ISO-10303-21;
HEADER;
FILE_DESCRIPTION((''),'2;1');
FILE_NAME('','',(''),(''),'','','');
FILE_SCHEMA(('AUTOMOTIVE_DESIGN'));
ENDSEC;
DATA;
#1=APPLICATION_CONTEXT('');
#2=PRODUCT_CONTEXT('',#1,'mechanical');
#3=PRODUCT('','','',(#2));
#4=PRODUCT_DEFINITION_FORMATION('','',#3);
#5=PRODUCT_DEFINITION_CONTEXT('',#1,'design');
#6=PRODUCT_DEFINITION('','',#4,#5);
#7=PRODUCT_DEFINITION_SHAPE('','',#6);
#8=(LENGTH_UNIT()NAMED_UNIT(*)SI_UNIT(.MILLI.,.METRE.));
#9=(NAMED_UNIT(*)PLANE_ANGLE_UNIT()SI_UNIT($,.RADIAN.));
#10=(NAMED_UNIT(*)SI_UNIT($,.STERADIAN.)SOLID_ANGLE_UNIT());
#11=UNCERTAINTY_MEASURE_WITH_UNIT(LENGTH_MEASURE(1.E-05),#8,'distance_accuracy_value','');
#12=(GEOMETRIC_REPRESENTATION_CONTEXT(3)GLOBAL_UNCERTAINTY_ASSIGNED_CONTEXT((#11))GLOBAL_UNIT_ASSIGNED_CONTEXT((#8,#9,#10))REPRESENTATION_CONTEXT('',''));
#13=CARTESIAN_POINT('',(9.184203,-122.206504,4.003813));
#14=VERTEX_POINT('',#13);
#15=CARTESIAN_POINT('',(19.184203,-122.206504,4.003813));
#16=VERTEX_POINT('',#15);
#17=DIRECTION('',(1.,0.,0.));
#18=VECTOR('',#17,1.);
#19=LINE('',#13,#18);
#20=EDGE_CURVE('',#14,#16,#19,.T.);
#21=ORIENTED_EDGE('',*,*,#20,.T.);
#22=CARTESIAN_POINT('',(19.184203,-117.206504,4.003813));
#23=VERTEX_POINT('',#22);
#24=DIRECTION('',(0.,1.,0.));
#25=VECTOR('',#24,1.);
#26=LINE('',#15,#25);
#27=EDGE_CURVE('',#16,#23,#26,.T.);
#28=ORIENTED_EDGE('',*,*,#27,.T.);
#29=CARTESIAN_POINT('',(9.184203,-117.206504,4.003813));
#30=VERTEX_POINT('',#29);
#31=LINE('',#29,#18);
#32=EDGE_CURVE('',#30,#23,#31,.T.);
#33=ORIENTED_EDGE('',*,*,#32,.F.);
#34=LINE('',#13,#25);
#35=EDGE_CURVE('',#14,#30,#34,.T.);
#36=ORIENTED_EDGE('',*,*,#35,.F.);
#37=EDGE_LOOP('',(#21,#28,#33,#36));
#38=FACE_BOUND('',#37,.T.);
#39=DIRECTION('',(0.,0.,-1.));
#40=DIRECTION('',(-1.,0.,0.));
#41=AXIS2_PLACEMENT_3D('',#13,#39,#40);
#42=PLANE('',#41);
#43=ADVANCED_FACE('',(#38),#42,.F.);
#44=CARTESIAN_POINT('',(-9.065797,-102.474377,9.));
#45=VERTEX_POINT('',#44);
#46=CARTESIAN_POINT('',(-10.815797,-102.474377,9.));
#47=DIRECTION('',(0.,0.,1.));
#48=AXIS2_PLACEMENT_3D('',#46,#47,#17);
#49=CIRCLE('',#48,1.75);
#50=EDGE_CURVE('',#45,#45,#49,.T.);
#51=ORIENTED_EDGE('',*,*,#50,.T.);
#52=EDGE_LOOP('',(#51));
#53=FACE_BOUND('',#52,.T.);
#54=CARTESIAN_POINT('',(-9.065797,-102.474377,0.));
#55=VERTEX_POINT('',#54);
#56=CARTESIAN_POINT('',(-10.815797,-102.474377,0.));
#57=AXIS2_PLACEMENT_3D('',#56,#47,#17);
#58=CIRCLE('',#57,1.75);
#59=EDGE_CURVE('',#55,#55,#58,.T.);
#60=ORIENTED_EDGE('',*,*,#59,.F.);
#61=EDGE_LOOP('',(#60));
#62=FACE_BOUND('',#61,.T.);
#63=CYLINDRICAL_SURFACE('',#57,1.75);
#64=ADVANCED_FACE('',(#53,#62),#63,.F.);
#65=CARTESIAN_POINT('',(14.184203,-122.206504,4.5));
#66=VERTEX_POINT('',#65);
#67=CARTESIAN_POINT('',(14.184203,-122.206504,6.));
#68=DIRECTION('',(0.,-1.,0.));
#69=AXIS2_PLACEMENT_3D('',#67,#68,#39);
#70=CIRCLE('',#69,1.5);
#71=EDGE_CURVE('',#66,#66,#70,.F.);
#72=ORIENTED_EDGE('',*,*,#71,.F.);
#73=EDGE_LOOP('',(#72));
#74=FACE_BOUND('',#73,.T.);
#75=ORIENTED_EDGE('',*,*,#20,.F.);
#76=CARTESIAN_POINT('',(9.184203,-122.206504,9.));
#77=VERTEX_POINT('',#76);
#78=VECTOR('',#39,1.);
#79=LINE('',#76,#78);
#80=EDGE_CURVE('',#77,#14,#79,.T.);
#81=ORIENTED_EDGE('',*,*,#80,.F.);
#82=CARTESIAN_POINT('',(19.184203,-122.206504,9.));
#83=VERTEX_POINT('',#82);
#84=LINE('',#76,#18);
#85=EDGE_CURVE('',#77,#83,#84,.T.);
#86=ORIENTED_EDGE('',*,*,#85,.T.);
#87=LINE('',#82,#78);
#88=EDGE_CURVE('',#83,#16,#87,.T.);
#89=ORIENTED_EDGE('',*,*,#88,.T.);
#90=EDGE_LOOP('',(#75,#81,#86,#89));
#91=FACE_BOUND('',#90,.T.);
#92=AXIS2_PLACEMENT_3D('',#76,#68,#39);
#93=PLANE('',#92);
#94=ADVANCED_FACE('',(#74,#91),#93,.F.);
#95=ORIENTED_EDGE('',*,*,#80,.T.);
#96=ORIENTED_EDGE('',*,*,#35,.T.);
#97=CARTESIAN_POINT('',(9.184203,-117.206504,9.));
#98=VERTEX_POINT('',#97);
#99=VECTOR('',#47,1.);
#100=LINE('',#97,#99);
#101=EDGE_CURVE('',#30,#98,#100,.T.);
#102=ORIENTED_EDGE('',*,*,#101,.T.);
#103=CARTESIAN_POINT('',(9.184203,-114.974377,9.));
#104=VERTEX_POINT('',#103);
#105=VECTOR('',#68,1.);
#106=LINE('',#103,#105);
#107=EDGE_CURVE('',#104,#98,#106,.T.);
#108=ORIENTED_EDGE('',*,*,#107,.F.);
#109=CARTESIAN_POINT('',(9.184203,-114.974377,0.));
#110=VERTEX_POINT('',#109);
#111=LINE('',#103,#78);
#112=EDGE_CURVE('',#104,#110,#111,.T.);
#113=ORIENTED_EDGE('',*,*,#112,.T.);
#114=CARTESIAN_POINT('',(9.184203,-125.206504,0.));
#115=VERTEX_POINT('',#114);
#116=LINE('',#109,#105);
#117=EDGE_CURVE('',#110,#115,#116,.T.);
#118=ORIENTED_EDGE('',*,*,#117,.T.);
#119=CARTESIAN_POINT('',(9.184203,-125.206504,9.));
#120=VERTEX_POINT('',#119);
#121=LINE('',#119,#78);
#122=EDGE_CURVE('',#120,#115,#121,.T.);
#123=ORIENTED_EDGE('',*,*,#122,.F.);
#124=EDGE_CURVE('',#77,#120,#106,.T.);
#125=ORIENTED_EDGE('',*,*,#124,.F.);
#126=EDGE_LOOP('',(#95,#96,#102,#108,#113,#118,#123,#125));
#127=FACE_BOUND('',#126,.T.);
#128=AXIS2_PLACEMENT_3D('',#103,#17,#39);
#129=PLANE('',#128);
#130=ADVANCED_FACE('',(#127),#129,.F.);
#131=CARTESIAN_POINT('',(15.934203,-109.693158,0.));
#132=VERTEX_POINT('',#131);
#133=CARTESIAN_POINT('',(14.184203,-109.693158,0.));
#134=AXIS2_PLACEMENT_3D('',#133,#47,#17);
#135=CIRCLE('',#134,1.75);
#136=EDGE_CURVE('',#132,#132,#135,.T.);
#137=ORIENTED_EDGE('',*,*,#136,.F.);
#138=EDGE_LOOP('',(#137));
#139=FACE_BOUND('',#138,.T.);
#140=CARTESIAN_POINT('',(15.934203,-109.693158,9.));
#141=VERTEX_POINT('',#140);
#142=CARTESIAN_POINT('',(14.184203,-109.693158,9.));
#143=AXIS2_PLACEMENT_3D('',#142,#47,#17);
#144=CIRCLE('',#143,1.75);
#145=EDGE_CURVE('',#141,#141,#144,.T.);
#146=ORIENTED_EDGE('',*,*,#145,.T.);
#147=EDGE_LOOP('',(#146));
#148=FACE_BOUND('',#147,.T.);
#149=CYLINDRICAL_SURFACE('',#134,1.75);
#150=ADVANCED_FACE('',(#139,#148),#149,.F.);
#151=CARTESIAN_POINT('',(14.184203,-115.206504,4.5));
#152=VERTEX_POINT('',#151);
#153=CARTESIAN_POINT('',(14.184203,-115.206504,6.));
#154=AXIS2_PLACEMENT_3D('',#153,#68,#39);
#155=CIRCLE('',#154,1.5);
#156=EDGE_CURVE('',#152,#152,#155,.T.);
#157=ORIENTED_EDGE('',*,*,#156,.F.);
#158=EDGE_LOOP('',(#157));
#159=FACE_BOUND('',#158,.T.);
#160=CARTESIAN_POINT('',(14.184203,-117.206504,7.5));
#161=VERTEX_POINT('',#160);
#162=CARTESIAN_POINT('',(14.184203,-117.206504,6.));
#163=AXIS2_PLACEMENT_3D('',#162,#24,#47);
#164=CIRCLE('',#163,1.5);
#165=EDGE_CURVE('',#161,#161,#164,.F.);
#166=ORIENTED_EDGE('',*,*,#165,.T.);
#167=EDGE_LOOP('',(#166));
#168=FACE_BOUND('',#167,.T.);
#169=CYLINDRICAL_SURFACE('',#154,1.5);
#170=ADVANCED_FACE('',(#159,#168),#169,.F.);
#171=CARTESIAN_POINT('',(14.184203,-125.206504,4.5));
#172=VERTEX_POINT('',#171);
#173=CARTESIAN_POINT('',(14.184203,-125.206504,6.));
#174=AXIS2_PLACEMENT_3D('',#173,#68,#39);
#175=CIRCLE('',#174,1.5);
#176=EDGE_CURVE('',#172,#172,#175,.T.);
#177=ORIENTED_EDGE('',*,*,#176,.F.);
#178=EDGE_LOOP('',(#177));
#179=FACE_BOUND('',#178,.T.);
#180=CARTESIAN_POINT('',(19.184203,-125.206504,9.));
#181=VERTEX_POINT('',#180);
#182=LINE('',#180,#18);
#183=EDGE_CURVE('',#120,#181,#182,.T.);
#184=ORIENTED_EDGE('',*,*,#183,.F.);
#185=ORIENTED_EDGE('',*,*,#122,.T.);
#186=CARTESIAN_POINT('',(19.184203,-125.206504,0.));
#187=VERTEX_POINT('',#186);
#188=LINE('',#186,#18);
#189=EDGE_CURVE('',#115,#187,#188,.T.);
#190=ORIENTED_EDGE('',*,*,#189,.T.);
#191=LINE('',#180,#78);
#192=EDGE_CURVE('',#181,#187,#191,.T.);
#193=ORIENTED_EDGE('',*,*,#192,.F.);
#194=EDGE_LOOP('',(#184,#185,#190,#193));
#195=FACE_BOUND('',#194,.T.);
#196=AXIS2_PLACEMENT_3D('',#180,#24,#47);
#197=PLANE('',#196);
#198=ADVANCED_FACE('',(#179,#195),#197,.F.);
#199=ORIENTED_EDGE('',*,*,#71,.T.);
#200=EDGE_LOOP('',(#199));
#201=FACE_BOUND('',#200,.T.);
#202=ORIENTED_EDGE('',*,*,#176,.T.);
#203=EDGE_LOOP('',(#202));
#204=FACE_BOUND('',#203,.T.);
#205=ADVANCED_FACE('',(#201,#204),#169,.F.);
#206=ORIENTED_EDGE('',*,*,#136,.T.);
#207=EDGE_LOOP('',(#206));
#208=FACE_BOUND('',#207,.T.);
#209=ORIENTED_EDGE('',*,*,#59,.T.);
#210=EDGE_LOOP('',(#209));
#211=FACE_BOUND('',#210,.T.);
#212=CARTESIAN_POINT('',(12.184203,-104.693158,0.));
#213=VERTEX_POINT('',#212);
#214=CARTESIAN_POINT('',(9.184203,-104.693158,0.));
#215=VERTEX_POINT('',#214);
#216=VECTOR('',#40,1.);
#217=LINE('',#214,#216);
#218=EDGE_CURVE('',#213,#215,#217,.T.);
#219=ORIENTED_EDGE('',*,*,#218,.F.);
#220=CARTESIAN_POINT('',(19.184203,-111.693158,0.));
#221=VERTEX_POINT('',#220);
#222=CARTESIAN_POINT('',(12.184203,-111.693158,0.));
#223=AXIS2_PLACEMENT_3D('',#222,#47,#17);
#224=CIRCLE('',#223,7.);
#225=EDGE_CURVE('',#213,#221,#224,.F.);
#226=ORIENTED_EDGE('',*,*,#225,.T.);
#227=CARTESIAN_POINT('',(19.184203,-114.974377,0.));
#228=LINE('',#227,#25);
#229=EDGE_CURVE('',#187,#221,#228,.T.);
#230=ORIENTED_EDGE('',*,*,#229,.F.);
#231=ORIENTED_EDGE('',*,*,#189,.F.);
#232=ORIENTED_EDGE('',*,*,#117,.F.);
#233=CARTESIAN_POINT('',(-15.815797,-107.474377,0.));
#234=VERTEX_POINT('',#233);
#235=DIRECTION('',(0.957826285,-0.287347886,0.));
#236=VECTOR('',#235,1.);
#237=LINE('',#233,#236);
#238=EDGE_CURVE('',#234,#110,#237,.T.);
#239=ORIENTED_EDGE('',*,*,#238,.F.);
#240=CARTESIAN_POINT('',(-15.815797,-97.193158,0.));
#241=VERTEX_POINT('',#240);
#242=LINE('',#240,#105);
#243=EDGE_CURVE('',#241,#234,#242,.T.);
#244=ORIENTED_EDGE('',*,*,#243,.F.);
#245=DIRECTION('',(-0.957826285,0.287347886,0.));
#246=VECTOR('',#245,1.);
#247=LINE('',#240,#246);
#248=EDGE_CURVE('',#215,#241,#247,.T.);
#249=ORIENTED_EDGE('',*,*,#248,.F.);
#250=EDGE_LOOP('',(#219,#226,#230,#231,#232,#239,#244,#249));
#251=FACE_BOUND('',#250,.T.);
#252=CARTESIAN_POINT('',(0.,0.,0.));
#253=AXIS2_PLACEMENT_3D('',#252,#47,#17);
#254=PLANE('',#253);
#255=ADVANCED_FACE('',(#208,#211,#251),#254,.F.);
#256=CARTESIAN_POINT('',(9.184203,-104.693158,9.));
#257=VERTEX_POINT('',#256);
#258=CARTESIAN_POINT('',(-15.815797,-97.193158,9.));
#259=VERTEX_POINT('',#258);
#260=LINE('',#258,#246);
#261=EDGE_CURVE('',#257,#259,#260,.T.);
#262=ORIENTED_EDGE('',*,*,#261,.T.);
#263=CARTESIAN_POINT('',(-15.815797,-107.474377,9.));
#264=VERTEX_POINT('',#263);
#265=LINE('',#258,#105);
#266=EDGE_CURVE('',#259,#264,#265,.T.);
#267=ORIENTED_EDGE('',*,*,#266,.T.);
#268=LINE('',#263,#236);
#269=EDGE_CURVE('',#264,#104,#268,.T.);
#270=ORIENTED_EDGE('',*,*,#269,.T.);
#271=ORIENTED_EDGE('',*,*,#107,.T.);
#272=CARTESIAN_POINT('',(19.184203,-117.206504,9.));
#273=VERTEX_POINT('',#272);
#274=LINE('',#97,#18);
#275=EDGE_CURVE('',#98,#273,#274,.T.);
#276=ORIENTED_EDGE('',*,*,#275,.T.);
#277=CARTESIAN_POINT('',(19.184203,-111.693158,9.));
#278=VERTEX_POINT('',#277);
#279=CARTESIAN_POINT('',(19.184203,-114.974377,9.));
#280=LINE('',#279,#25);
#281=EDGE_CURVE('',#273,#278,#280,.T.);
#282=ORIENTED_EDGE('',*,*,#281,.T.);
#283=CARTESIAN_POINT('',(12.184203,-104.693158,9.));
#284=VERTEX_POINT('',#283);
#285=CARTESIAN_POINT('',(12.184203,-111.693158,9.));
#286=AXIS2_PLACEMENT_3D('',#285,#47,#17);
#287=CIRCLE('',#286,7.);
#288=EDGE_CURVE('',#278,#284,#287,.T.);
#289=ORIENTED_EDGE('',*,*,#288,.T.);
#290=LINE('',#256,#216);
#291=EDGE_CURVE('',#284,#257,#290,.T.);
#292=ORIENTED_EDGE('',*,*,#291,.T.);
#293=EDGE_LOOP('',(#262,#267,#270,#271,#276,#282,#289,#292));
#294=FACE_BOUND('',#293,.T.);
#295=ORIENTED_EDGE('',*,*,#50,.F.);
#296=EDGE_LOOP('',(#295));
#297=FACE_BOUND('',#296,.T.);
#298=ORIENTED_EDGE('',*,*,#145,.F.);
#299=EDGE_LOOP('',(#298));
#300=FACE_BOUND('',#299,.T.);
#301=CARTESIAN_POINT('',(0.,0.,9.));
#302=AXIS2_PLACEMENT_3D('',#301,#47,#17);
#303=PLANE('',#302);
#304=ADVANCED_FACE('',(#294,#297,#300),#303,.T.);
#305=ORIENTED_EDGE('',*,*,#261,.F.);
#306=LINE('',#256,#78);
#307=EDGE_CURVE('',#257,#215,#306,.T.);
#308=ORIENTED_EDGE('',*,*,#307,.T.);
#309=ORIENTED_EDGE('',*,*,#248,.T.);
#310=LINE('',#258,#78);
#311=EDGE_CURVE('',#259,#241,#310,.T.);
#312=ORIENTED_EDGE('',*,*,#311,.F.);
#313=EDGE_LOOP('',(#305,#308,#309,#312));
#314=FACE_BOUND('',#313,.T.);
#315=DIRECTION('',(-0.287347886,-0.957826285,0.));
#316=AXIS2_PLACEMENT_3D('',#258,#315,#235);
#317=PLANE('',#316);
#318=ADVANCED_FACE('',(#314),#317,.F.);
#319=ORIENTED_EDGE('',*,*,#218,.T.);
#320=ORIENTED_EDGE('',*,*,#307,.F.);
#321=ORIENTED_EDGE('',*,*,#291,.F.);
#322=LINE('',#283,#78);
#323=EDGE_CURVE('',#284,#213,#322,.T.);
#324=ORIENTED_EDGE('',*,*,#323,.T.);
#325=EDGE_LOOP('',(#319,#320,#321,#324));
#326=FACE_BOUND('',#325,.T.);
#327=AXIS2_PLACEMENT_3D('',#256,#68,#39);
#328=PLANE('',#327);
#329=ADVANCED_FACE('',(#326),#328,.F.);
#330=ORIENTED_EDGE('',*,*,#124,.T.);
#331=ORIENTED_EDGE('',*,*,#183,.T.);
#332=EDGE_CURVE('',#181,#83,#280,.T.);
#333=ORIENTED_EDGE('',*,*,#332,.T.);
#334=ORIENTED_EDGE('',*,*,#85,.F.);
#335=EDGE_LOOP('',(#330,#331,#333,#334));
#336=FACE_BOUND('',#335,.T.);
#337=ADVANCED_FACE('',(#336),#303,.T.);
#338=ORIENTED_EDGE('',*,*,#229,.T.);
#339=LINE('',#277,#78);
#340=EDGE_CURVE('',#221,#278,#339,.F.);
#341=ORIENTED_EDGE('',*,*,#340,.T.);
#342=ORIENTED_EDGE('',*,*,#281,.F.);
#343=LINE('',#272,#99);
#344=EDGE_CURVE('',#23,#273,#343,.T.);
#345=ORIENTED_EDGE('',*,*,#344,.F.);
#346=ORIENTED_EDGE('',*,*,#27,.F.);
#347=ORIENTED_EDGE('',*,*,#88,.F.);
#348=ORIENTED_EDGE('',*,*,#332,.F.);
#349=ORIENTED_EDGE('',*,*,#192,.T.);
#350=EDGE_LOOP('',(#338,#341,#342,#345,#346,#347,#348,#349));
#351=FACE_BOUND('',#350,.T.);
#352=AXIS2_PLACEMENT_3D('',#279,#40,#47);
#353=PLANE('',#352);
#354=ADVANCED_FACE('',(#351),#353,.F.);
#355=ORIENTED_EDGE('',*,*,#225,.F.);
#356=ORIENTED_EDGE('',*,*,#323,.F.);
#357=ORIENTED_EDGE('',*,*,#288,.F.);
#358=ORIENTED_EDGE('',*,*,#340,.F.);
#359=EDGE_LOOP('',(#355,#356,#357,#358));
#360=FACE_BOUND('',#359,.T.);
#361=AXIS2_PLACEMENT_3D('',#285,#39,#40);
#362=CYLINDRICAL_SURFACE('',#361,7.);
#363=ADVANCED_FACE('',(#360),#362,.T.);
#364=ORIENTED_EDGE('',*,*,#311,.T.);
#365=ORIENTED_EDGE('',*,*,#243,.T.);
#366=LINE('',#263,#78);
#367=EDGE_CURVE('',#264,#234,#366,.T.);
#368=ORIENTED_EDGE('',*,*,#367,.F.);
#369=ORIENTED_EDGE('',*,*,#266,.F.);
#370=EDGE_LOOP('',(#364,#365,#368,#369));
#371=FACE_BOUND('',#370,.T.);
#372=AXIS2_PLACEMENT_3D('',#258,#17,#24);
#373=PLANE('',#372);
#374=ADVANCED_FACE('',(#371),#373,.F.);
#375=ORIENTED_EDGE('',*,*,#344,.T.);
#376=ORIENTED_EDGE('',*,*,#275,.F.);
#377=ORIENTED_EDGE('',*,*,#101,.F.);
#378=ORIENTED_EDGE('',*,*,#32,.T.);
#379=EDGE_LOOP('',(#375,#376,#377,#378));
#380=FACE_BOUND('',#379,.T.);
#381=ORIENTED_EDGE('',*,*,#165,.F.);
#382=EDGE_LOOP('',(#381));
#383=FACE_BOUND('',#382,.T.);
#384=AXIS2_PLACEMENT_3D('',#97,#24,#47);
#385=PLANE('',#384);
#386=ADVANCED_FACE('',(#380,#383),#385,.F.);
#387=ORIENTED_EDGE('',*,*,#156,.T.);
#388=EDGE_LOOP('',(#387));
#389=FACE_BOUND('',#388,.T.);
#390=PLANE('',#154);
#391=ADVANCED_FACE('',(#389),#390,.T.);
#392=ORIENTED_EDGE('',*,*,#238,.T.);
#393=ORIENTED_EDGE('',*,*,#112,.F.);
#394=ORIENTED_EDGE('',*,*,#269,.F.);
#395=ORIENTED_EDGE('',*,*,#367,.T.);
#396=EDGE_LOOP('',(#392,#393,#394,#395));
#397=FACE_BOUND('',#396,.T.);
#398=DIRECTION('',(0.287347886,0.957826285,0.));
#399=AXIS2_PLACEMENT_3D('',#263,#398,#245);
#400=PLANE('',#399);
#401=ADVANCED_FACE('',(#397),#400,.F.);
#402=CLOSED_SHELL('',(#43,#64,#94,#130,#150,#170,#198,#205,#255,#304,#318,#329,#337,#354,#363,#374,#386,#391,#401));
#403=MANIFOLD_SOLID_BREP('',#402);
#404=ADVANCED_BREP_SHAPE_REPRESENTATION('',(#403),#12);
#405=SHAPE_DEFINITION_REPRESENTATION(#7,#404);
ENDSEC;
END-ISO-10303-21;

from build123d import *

# Parameters (mm, degrees)
BOSS_EXTRUDE1_DEPTH = 9
SKETCH3_R           = 1.75
CUT_EXTRUDE1_DEPTH  = 9
SKETCH5_R           = 1.5
CUT_EXTRUDE2_DEPTH  = 10
SKETCH6_W           = 4.996186888
SKETCH6_H           = 5
CUT_EXTRUDE3_DEPTH  = 10
FILLET1_R           = 7


with BuildPart() as part:
    # Sketch2 → Boss-Extrude1 (new body)
    with BuildSketch(Plane.XY):
        Polygon((-15.81579683, -97.193157961), (-15.81579683, -107.474376779), (9.18420317, -114.974376779), (9.18420317, -125.206503808), (19.18420317, -125.206503808), (19.18420317, -114.974376779), (19.18420317, -104.693157961), (9.18420317, -104.693157961), align=None)
    extrude(amount=BOSS_EXTRUDE1_DEPTH)

    # Sketch3 → Cut-Extrude1 (cut)
    with BuildSketch(Plane.XY.offset(9)):
        with Locations((14.18420317, -109.693157961)):
            Circle(SKETCH3_R)
        with Locations((-10.81579683, -102.474376779)):
            Circle(SKETCH3_R)
    extrude(amount=-CUT_EXTRUDE1_DEPTH, mode=Mode.SUBTRACT)

    # Sketch5 → Cut-Extrude2 (cut)
    with BuildSketch(Plane.XZ.offset(125.206503808)):
        with Locations(Location((14.18420317, 6, 0), (0, 0, 270))):
            Circle(SKETCH5_R)
    extrude(amount=-CUT_EXTRUDE2_DEPTH, mode=Mode.SUBTRACT)

    # Sketch6 → Cut-Extrude3 (cut)
    with BuildSketch(Plane(origin=(19.18420317, 0, 0), x_dir=(0, 0, -1), z_dir=(1, 0, 0))):
        with Locations((-6.501906556, -119.706503808)):
            Rectangle(SKETCH6_W, SKETCH6_H)
    extrude(amount=-CUT_EXTRUDE3_DEPTH, mode=Mode.SUBTRACT)

    # Fillet1
    fillet1_edges = [part.edges().sort_by_distance(p)[0] for p in [
        (19.18420317, -104.693157961, 4.5),
    ]]
    fillet(fillet1_edges, radius=FILLET1_R)


solid = part.part
